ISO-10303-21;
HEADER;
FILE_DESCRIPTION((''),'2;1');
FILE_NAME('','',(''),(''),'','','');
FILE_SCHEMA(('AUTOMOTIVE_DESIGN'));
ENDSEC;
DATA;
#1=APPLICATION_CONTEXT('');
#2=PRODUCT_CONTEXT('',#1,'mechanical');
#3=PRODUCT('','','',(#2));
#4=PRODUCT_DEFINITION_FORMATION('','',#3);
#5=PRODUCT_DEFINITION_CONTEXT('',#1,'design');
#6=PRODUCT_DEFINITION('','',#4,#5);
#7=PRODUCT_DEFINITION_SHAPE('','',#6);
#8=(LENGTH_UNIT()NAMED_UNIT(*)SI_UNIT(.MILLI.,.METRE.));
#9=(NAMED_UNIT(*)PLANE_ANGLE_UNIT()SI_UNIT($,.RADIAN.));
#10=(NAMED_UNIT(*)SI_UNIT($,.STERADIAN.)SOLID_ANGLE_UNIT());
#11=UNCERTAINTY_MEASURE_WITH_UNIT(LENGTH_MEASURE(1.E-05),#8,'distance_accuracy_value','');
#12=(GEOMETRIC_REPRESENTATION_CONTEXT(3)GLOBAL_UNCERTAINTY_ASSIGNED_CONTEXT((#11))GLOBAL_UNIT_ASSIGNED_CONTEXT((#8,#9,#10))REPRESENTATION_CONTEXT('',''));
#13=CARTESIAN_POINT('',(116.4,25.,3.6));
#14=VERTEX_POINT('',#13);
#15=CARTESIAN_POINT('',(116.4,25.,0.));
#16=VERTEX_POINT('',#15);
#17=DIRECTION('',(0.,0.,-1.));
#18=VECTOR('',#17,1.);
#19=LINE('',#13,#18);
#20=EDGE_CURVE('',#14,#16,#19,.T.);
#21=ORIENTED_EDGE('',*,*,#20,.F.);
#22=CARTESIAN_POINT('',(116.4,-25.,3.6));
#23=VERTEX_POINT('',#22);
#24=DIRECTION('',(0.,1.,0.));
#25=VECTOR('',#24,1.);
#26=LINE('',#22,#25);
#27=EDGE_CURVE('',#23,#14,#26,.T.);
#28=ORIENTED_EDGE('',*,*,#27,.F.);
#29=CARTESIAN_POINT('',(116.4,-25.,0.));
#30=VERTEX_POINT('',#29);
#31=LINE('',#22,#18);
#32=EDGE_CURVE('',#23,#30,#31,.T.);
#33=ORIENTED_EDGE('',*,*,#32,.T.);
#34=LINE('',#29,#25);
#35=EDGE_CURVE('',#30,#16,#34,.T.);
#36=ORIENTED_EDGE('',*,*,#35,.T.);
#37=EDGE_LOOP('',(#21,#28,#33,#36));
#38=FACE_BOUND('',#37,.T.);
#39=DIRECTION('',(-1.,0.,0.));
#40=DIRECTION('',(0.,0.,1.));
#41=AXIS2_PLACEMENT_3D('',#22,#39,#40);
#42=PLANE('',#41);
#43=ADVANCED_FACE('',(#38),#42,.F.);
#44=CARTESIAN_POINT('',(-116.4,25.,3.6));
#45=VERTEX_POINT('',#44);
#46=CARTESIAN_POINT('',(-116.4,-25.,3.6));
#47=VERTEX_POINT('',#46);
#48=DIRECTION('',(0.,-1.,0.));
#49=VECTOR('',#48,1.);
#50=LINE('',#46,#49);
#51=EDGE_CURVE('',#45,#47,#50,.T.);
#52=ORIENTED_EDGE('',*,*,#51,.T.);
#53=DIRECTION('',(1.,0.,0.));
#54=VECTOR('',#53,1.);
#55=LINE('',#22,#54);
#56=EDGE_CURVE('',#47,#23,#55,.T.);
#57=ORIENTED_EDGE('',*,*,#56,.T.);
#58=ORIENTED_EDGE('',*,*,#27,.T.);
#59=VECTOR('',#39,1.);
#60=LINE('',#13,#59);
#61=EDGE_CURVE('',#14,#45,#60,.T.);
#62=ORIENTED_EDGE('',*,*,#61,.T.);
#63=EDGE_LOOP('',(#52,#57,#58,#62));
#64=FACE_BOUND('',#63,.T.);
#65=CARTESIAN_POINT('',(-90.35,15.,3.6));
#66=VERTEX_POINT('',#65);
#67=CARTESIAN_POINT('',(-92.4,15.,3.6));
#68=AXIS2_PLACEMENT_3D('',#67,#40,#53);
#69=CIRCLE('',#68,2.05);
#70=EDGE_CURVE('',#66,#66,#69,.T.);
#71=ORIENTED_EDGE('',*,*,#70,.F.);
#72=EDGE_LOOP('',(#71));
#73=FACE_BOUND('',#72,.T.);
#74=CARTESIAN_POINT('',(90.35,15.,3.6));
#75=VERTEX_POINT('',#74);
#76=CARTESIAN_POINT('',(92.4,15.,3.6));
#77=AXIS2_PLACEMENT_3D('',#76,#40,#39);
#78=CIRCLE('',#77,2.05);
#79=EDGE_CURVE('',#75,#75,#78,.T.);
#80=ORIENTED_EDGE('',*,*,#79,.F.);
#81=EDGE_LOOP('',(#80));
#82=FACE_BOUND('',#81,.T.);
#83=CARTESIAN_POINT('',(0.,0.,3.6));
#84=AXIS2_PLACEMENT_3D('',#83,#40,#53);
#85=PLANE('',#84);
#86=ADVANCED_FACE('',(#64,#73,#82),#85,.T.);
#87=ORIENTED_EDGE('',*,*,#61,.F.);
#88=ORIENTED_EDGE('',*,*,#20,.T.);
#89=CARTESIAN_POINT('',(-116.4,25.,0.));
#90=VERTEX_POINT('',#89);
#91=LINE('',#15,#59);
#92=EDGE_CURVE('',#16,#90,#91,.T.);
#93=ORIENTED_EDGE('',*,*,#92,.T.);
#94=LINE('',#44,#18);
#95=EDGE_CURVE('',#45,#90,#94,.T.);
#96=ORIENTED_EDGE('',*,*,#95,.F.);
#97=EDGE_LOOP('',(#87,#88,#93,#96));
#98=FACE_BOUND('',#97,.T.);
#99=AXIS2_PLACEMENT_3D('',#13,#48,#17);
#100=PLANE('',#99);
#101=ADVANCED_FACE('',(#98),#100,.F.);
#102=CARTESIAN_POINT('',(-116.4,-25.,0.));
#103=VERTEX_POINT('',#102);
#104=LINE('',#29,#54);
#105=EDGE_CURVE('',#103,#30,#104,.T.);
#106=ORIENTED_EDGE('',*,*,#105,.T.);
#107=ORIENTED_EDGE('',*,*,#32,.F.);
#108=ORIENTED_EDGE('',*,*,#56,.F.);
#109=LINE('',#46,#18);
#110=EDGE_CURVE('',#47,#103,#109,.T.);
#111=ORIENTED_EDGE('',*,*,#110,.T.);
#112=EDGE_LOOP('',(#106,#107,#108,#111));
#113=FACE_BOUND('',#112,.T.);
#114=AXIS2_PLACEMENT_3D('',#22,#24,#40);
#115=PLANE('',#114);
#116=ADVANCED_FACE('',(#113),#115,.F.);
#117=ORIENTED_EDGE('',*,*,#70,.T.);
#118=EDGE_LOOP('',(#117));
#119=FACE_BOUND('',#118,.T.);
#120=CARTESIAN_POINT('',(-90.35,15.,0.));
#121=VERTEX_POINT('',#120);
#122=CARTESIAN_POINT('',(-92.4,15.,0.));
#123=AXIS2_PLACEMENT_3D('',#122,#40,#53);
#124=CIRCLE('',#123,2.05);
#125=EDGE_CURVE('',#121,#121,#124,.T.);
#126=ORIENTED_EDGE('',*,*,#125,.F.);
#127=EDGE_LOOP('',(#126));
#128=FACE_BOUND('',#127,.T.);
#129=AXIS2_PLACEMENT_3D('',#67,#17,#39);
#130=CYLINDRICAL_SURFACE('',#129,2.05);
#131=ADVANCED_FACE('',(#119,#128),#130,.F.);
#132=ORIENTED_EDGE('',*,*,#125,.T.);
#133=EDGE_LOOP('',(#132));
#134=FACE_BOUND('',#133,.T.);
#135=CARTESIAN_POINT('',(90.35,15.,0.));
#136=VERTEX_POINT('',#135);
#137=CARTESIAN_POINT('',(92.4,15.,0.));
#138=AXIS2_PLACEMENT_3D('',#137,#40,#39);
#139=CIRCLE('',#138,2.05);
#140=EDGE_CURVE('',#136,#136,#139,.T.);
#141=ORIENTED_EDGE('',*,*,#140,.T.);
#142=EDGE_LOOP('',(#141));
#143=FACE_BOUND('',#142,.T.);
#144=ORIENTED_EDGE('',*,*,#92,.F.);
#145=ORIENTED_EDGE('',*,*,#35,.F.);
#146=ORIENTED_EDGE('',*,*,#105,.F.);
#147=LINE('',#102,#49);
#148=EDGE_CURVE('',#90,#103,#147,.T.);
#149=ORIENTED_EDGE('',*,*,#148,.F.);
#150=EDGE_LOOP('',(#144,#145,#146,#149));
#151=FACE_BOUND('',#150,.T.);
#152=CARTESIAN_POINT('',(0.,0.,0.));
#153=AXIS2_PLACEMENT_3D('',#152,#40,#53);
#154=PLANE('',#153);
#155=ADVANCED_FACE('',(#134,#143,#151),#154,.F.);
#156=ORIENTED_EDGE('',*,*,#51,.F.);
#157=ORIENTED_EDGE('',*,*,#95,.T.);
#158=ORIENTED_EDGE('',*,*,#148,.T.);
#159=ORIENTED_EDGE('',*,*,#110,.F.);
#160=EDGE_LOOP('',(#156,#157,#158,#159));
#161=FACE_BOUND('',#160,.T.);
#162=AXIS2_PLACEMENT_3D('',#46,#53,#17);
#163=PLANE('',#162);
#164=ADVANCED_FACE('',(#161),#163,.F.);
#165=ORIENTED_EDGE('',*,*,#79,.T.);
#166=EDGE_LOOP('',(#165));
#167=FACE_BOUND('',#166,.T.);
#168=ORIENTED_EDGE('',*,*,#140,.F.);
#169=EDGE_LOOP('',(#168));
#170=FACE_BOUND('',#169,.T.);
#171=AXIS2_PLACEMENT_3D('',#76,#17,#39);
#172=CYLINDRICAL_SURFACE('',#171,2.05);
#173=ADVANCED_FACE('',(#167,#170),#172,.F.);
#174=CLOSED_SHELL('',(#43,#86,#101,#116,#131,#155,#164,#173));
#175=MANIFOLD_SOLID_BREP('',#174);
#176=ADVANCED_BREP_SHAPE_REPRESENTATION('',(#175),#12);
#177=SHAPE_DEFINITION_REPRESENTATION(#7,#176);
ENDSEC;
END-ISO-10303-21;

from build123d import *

# Parameters (mm, degrees)
ESQUISSE2_W        = 232.8
ESQUISSE2_H        = 50
ESQUISSE2_R        = 2.05
BOSS_EXTRU_1_DEPTH = 3.6


with BuildPart() as part:
    # Esquisse2 → Boss.-Extru.1 (new body)
    with BuildSketch(Plane.XY):
        Rectangle(ESQUISSE2_W, ESQUISSE2_H)
        with Locations((-92.4, 15)):
            Circle(ESQUISSE2_R, mode=Mode.SUBTRACT)
        with Locations(Location((92.4, 15, 0), (0, 0, 180))):
            Circle(ESQUISSE2_R, mode=Mode.SUBTRACT)
    extrude(amount=BOSS_EXTRU_1_DEPTH)


solid = part.part
